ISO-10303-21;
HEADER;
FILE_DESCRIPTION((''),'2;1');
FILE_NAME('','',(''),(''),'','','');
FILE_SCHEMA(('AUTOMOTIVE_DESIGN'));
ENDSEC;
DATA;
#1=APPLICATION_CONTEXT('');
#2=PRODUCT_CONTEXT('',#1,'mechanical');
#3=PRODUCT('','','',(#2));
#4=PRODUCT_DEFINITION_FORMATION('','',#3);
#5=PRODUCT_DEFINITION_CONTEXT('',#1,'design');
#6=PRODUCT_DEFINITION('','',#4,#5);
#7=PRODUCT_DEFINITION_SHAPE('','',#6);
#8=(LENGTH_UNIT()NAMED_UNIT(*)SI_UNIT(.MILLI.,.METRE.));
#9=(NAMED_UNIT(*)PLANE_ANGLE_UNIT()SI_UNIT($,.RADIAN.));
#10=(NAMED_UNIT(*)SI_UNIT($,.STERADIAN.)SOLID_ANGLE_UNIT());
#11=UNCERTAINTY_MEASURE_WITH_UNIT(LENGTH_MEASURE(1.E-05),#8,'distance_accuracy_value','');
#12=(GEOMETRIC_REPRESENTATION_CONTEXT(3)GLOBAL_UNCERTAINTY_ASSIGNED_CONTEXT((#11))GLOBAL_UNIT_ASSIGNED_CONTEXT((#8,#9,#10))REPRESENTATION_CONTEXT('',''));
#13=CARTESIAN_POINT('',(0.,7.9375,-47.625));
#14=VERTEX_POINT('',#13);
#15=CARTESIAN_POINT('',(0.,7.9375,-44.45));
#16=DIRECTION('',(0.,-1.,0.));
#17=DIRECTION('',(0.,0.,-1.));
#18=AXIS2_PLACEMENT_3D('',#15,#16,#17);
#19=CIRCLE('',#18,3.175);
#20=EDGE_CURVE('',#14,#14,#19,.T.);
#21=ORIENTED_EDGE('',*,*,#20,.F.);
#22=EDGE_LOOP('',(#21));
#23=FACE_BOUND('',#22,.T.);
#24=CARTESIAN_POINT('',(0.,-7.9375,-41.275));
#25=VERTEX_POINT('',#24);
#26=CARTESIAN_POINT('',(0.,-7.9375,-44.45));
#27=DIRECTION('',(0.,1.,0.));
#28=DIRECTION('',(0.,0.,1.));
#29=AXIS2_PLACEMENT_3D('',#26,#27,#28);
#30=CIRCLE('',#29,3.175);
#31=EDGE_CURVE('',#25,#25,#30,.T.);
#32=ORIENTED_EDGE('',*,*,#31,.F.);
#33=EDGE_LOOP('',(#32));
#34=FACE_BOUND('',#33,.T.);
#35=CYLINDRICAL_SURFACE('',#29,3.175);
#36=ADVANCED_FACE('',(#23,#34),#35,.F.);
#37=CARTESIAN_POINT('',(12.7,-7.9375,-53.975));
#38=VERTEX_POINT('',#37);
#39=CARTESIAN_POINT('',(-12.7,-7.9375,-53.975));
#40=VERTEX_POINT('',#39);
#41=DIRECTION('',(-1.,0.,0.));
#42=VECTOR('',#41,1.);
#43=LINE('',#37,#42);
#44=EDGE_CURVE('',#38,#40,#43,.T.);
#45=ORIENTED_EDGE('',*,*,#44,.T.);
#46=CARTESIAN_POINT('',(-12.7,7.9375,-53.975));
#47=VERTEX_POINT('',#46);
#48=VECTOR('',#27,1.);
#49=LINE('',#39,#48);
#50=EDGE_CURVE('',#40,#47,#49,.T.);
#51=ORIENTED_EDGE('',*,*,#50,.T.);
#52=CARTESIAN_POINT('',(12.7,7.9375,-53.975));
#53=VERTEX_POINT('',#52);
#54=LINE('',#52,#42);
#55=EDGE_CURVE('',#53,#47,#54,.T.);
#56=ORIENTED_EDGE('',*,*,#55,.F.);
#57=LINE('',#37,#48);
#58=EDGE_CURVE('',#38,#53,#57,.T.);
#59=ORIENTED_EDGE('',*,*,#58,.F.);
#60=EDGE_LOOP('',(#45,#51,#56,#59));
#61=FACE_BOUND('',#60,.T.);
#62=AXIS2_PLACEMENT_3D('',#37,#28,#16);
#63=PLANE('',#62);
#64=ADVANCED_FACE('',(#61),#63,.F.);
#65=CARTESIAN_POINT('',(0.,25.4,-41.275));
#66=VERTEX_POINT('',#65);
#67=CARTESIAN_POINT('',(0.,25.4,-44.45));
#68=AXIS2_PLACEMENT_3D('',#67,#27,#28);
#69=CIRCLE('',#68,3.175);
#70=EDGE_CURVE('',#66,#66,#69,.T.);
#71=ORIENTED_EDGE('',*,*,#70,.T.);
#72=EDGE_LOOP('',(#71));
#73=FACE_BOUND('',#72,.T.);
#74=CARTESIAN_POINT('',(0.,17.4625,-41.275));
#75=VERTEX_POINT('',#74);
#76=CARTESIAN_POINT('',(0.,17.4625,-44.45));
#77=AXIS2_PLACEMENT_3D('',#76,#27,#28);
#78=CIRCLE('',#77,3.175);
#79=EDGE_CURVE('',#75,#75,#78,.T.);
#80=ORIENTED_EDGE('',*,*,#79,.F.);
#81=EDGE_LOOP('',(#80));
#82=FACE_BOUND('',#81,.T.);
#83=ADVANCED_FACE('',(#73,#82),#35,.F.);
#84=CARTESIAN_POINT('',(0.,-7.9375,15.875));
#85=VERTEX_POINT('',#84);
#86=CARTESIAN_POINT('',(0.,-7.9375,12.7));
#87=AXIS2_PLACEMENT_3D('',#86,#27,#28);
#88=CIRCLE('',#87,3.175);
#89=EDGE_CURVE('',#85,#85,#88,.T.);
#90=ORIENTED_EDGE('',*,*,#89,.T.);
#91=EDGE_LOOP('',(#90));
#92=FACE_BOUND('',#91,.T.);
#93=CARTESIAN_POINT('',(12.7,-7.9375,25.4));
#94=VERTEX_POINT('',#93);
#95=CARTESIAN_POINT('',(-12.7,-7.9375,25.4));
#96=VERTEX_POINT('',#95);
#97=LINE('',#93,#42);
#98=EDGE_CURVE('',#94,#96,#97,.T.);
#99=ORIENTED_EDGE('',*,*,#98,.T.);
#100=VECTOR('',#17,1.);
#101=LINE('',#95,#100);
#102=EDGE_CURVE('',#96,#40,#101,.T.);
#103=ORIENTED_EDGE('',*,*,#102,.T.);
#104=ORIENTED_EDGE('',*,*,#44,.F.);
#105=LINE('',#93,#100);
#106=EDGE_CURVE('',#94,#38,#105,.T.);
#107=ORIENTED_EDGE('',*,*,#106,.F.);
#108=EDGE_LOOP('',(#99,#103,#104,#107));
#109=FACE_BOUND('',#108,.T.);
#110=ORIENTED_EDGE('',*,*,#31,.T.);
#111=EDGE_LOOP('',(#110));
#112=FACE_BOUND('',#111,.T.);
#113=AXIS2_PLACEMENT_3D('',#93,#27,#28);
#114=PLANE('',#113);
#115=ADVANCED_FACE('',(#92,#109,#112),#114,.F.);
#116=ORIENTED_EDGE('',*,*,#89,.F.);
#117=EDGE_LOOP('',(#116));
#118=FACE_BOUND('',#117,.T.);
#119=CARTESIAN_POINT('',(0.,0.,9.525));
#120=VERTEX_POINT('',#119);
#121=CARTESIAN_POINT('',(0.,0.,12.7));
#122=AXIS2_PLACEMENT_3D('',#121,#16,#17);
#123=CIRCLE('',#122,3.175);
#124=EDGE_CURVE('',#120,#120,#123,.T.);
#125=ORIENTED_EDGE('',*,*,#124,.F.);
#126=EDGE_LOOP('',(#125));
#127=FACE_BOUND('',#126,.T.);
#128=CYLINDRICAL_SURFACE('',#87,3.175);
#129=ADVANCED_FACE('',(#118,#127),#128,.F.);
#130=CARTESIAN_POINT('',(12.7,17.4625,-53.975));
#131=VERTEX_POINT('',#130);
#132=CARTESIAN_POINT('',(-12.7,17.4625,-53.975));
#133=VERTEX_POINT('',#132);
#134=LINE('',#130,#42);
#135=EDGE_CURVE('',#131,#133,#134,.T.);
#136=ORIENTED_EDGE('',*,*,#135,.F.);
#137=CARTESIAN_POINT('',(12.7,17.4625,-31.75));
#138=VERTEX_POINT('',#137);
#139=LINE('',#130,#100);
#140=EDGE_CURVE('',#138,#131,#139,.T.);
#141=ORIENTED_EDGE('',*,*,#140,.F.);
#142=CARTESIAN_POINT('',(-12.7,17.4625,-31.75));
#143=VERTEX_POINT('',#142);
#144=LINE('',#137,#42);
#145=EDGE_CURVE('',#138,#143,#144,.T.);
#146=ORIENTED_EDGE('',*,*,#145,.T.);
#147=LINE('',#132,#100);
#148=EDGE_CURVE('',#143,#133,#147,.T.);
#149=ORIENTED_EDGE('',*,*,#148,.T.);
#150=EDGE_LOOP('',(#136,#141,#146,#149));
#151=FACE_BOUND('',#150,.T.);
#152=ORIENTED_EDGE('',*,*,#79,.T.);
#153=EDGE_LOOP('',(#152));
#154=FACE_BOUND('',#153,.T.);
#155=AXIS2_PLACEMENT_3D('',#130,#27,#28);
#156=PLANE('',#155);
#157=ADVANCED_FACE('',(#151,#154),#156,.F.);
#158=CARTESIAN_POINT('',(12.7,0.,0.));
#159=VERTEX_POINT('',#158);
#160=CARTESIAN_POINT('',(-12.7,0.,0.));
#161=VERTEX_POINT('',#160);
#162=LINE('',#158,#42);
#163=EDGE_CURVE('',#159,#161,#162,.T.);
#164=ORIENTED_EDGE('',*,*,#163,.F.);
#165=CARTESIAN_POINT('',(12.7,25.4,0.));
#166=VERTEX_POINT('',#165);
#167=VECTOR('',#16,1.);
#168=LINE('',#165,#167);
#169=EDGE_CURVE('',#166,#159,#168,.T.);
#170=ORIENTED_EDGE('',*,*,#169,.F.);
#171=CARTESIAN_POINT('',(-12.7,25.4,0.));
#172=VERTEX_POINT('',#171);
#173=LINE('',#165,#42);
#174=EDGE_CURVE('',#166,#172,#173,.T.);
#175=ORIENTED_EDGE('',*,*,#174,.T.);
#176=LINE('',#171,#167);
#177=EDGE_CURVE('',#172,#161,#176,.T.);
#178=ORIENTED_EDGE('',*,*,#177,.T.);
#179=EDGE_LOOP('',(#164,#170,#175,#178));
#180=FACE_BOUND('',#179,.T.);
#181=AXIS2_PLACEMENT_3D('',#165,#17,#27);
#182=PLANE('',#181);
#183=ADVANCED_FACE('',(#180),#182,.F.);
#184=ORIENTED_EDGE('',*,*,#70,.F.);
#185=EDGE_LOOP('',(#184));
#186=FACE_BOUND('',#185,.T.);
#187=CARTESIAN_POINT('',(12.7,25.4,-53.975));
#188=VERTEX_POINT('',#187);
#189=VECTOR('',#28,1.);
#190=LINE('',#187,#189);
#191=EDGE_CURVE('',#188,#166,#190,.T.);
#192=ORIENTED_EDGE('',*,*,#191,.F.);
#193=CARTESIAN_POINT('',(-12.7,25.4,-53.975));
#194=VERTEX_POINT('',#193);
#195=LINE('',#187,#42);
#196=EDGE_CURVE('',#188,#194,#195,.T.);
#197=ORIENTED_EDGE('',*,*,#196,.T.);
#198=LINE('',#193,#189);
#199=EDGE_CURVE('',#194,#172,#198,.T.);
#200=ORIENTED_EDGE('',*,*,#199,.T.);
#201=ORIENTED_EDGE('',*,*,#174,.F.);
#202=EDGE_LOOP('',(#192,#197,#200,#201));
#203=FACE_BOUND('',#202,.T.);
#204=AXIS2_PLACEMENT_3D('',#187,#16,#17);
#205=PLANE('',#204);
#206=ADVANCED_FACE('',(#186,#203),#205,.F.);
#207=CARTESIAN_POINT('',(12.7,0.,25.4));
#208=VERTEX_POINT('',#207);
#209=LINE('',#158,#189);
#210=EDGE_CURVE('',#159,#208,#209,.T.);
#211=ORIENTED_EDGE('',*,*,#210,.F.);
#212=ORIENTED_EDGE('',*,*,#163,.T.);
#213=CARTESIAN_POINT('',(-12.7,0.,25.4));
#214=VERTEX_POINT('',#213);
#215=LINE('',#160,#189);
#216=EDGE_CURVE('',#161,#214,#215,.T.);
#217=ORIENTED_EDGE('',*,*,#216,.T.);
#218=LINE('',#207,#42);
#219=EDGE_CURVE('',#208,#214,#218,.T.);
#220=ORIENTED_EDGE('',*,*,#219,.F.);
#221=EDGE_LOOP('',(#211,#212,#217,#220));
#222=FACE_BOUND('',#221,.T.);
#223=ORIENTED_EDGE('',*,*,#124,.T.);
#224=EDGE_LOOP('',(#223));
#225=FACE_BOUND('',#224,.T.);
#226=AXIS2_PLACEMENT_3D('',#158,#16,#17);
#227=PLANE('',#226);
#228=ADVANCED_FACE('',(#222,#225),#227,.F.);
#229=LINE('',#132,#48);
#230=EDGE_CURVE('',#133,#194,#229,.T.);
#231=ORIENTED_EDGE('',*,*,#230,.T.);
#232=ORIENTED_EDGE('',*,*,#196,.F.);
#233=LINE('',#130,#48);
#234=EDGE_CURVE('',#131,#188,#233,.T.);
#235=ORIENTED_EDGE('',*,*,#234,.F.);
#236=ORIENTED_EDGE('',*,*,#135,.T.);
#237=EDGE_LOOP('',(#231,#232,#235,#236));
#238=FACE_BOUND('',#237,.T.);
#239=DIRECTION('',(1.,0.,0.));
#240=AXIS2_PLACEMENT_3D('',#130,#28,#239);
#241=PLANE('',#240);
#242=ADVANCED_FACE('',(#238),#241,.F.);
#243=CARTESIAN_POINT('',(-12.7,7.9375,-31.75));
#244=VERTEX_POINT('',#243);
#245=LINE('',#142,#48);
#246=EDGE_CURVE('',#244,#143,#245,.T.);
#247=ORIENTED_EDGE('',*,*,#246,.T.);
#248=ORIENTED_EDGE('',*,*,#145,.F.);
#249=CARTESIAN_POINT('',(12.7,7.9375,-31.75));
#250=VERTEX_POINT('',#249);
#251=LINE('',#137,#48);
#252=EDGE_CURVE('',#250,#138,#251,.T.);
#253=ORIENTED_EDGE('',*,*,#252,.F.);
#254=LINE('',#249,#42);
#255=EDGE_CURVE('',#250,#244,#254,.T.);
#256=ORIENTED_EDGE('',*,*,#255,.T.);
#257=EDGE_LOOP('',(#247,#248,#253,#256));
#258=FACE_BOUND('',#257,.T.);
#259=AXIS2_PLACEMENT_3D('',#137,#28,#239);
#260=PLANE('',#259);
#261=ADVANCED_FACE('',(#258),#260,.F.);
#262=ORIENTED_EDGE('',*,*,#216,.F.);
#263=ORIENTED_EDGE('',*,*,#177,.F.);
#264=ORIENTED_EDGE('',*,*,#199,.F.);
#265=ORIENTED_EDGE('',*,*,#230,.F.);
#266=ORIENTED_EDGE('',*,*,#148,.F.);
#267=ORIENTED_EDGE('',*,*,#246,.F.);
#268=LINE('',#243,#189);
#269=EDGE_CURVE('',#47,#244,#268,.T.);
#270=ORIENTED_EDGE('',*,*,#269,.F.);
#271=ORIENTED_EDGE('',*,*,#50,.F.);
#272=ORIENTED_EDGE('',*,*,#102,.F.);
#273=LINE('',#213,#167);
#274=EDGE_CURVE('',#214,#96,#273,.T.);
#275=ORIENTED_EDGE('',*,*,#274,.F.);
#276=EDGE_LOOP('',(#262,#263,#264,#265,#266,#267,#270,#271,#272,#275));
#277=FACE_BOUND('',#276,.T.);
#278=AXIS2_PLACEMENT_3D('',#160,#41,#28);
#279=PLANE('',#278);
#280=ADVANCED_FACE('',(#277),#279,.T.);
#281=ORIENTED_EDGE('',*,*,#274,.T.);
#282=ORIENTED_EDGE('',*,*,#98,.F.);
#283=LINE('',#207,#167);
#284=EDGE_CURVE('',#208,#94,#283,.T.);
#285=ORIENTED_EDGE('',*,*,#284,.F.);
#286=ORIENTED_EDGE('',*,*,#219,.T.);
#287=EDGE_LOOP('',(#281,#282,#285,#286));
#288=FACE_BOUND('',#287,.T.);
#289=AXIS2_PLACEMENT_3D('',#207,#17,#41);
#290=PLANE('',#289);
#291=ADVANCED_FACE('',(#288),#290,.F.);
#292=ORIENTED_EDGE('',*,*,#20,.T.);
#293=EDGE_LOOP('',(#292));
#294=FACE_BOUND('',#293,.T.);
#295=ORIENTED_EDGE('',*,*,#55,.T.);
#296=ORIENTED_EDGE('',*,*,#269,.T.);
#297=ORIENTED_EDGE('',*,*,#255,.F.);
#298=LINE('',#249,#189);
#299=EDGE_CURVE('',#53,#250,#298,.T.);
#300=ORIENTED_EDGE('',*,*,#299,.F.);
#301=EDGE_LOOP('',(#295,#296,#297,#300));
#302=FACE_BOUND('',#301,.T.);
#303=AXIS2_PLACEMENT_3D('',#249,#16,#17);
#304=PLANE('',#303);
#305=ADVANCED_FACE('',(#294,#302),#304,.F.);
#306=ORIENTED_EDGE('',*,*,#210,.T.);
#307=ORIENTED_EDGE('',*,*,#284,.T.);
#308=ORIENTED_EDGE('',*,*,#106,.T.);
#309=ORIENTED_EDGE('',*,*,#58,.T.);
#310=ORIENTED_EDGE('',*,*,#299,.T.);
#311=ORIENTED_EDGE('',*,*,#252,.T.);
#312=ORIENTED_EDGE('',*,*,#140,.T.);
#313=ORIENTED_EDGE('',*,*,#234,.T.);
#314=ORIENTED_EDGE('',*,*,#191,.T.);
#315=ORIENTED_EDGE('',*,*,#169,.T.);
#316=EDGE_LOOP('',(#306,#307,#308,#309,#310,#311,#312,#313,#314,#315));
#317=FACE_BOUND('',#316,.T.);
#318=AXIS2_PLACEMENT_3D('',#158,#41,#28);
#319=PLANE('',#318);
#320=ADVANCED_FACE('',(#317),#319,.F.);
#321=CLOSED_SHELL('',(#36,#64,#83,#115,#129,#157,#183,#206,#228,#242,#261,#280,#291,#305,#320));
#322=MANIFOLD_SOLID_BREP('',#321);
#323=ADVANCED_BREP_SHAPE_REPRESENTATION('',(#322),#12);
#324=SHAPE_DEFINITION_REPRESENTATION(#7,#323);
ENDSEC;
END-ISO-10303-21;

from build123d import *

# Parameters (mm, degrees)
BOSS_EXTRUDE1_DEPTH = 12.7
SKETCH2_R           = 3.175
CUT_EXTRUDE1_DEPTH  = 65.699146295


with BuildPart() as part:
    # Sketch1 → Boss-Extrude1 (new, symmetric)
    with BuildSketch(Plane(origin=(0, 0, 0), x_dir=(0, 0, -1), z_dir=(1, 0, 0))):
        Polygon((0, 0), (-25.4, 0), (-25.4, -7.9375), (53.975, -7.9375), (53.975, 7.9375), (31.75, 7.9375), (31.75, 17.4625), (53.975, 17.4625), (53.975, 25.4), (0, 25.4), align=None)
    extrude(amount=BOSS_EXTRUDE1_DEPTH, both=True)

    # Sketch2 → Cut-Extrude1 (cut, through all)
    with BuildSketch(Plane(origin=(0, 25.4, 0), x_dir=(1, 0, 0), z_dir=(0, 1, 0))):
        with Locations(Location((0, 44.45, 0), (0, 0, 270))):
            Circle(SKETCH2_R)
        with Locations(Location((0, -12.7, 0), (0, 0, 270))):
            Circle(SKETCH2_R)
    extrude(amount=-CUT_EXTRUDE1_DEPTH, mode=Mode.SUBTRACT)


solid = part.part
